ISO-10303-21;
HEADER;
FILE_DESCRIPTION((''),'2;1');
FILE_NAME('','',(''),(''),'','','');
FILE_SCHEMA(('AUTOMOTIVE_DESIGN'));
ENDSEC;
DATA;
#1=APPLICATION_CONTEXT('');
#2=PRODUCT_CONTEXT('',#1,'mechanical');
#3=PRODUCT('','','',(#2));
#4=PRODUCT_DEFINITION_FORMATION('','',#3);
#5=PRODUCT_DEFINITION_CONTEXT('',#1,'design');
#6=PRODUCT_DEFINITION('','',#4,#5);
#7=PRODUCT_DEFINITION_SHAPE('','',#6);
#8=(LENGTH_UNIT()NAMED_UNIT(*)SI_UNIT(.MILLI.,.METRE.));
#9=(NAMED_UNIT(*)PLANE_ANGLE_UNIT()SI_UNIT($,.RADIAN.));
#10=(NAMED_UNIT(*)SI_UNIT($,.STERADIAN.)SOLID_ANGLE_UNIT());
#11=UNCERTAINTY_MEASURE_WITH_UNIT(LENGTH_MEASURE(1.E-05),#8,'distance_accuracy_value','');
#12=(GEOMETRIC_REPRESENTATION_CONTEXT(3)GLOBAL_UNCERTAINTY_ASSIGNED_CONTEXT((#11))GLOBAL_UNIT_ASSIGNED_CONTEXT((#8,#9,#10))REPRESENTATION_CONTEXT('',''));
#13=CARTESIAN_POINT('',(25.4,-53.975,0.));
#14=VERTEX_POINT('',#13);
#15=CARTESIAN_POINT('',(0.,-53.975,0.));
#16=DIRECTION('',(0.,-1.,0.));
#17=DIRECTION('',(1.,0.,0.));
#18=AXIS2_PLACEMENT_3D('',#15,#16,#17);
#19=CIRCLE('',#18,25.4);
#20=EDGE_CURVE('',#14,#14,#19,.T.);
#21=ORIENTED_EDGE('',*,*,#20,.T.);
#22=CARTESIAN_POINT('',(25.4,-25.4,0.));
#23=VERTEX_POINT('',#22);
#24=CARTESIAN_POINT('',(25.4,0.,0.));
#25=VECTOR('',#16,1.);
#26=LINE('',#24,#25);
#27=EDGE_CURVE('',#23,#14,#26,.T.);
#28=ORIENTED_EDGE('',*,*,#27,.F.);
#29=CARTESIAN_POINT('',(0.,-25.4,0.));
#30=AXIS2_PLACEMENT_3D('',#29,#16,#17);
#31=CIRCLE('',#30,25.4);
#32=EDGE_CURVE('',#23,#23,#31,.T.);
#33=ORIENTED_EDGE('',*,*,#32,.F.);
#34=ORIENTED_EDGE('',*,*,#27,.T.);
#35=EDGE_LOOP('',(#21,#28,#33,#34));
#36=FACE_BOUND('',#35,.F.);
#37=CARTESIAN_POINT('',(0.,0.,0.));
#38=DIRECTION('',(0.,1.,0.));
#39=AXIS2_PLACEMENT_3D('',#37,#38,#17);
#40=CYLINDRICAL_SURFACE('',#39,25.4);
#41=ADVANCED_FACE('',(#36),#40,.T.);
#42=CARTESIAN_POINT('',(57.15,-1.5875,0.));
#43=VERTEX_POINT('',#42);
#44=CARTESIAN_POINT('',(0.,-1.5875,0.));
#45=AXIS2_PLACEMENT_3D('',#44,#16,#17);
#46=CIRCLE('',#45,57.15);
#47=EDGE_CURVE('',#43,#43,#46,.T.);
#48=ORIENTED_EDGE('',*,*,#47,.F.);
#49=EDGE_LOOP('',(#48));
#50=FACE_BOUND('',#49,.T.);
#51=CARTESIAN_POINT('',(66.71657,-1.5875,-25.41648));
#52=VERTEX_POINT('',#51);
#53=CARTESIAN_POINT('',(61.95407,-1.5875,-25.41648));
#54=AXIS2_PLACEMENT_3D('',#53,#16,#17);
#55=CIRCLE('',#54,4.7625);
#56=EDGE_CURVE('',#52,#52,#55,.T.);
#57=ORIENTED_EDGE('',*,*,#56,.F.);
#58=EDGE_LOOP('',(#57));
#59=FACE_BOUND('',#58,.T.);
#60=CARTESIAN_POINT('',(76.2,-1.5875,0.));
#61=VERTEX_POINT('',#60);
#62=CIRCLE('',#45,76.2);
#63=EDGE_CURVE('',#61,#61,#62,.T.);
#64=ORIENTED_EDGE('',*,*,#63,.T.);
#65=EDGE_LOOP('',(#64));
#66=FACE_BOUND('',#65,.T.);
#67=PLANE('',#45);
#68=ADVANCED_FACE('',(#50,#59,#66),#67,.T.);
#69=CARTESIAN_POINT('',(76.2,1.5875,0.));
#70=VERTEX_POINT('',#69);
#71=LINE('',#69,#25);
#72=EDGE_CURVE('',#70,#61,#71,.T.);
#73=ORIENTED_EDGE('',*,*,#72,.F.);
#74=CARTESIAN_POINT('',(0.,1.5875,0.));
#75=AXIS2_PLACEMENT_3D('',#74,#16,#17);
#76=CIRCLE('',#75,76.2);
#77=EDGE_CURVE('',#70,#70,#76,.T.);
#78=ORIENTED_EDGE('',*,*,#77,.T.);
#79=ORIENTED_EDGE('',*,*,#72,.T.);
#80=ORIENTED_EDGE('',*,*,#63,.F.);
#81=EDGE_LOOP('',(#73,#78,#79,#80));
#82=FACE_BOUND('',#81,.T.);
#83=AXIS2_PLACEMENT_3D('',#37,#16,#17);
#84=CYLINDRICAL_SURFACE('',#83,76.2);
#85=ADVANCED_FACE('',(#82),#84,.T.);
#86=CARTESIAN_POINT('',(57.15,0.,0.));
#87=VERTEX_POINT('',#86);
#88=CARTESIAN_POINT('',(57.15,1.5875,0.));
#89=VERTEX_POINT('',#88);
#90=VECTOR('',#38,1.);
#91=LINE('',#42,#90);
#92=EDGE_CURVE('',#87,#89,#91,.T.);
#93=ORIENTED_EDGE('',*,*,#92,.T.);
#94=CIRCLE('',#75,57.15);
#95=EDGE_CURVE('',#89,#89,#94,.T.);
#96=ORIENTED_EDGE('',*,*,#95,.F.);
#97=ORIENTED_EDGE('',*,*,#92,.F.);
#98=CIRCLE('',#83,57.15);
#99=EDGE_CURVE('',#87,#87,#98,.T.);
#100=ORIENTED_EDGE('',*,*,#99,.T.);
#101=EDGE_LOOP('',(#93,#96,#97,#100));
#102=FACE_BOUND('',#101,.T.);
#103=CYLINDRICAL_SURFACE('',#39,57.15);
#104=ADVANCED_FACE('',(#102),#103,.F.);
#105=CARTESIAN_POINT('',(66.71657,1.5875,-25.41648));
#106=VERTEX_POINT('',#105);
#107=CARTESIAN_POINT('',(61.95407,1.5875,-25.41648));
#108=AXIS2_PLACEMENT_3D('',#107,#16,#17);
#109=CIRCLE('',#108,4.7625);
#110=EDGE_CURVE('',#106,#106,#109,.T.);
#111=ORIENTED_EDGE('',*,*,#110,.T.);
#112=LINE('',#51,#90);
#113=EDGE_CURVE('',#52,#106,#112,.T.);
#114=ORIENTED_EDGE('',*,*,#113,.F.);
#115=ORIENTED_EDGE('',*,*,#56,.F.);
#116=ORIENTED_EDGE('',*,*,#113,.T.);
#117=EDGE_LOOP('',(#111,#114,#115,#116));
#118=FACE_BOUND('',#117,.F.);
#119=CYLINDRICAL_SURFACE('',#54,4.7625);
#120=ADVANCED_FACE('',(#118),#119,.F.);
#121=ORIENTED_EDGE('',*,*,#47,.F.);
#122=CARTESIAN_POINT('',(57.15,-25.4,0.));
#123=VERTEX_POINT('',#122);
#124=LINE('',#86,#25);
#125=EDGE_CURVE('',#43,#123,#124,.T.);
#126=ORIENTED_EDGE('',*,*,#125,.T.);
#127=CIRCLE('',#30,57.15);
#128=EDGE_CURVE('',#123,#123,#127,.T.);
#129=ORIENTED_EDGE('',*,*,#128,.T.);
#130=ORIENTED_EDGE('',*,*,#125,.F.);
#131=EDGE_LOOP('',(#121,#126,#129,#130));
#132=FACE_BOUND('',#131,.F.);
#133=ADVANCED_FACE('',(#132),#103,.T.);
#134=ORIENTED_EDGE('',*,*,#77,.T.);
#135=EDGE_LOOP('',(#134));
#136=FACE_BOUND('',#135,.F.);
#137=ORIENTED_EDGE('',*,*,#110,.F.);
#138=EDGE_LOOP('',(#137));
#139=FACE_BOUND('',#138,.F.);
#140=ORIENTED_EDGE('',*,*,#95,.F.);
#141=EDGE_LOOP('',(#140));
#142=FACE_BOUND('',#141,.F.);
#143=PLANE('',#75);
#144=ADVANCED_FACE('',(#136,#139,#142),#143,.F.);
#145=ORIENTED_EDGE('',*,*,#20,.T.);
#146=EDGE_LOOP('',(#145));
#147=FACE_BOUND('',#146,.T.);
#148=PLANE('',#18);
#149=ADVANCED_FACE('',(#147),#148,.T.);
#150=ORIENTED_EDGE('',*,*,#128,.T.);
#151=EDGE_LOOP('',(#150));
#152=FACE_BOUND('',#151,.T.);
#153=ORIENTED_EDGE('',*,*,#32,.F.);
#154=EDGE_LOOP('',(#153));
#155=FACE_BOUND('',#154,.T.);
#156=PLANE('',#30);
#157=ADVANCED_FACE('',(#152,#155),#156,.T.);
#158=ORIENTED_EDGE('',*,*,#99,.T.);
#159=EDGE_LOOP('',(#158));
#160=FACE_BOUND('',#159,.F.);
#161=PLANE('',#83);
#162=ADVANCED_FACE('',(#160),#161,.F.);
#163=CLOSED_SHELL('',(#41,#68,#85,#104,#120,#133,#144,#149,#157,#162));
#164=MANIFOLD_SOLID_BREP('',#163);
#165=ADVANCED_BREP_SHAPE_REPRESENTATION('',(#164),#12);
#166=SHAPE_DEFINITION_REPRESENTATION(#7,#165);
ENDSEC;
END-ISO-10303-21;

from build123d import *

# Parameters (mm, degrees)
F0_R     = 57.15
F0_R_2   = 25.4
F1_DEPTH = 25.4
F0_R_3   = 76.2
F2_DEPTH = 1.5875
F3_DEPTH = 53.975
F4_R     = 4.7625
F5_DEPTH = 3.176


with BuildPart() as f1:
    # F0 (on Front) → F1 (new body)
    with BuildSketch(Plane.XZ):
        Circle(F0_R)
        Circle(F0_R_2, mode=Mode.SUBTRACT)
    extrude(amount=F1_DEPTH)

    # F0 (on Front) → F2 (join, symmetric)
    with BuildSketch(Plane.XZ):
        Circle(F0_R_3)
        Circle(F0_R, mode=Mode.SUBTRACT)
    extrude(amount=F2_DEPTH, both=True)

    # F0 (on Front) → F3 (join)
    with BuildSketch(Plane.XZ):
        Circle(F0_R_2)
    extrude(amount=F3_DEPTH)

    # F4 (on face) → F5 (cut, through all)
    with BuildSketch(Plane.XZ.offset(1.5875)):
        with Locations((61.95407, -25.41648)):
            Circle(F4_R)
    extrude(amount=-F5_DEPTH, mode=Mode.SUBTRACT)


solid = f1.part
